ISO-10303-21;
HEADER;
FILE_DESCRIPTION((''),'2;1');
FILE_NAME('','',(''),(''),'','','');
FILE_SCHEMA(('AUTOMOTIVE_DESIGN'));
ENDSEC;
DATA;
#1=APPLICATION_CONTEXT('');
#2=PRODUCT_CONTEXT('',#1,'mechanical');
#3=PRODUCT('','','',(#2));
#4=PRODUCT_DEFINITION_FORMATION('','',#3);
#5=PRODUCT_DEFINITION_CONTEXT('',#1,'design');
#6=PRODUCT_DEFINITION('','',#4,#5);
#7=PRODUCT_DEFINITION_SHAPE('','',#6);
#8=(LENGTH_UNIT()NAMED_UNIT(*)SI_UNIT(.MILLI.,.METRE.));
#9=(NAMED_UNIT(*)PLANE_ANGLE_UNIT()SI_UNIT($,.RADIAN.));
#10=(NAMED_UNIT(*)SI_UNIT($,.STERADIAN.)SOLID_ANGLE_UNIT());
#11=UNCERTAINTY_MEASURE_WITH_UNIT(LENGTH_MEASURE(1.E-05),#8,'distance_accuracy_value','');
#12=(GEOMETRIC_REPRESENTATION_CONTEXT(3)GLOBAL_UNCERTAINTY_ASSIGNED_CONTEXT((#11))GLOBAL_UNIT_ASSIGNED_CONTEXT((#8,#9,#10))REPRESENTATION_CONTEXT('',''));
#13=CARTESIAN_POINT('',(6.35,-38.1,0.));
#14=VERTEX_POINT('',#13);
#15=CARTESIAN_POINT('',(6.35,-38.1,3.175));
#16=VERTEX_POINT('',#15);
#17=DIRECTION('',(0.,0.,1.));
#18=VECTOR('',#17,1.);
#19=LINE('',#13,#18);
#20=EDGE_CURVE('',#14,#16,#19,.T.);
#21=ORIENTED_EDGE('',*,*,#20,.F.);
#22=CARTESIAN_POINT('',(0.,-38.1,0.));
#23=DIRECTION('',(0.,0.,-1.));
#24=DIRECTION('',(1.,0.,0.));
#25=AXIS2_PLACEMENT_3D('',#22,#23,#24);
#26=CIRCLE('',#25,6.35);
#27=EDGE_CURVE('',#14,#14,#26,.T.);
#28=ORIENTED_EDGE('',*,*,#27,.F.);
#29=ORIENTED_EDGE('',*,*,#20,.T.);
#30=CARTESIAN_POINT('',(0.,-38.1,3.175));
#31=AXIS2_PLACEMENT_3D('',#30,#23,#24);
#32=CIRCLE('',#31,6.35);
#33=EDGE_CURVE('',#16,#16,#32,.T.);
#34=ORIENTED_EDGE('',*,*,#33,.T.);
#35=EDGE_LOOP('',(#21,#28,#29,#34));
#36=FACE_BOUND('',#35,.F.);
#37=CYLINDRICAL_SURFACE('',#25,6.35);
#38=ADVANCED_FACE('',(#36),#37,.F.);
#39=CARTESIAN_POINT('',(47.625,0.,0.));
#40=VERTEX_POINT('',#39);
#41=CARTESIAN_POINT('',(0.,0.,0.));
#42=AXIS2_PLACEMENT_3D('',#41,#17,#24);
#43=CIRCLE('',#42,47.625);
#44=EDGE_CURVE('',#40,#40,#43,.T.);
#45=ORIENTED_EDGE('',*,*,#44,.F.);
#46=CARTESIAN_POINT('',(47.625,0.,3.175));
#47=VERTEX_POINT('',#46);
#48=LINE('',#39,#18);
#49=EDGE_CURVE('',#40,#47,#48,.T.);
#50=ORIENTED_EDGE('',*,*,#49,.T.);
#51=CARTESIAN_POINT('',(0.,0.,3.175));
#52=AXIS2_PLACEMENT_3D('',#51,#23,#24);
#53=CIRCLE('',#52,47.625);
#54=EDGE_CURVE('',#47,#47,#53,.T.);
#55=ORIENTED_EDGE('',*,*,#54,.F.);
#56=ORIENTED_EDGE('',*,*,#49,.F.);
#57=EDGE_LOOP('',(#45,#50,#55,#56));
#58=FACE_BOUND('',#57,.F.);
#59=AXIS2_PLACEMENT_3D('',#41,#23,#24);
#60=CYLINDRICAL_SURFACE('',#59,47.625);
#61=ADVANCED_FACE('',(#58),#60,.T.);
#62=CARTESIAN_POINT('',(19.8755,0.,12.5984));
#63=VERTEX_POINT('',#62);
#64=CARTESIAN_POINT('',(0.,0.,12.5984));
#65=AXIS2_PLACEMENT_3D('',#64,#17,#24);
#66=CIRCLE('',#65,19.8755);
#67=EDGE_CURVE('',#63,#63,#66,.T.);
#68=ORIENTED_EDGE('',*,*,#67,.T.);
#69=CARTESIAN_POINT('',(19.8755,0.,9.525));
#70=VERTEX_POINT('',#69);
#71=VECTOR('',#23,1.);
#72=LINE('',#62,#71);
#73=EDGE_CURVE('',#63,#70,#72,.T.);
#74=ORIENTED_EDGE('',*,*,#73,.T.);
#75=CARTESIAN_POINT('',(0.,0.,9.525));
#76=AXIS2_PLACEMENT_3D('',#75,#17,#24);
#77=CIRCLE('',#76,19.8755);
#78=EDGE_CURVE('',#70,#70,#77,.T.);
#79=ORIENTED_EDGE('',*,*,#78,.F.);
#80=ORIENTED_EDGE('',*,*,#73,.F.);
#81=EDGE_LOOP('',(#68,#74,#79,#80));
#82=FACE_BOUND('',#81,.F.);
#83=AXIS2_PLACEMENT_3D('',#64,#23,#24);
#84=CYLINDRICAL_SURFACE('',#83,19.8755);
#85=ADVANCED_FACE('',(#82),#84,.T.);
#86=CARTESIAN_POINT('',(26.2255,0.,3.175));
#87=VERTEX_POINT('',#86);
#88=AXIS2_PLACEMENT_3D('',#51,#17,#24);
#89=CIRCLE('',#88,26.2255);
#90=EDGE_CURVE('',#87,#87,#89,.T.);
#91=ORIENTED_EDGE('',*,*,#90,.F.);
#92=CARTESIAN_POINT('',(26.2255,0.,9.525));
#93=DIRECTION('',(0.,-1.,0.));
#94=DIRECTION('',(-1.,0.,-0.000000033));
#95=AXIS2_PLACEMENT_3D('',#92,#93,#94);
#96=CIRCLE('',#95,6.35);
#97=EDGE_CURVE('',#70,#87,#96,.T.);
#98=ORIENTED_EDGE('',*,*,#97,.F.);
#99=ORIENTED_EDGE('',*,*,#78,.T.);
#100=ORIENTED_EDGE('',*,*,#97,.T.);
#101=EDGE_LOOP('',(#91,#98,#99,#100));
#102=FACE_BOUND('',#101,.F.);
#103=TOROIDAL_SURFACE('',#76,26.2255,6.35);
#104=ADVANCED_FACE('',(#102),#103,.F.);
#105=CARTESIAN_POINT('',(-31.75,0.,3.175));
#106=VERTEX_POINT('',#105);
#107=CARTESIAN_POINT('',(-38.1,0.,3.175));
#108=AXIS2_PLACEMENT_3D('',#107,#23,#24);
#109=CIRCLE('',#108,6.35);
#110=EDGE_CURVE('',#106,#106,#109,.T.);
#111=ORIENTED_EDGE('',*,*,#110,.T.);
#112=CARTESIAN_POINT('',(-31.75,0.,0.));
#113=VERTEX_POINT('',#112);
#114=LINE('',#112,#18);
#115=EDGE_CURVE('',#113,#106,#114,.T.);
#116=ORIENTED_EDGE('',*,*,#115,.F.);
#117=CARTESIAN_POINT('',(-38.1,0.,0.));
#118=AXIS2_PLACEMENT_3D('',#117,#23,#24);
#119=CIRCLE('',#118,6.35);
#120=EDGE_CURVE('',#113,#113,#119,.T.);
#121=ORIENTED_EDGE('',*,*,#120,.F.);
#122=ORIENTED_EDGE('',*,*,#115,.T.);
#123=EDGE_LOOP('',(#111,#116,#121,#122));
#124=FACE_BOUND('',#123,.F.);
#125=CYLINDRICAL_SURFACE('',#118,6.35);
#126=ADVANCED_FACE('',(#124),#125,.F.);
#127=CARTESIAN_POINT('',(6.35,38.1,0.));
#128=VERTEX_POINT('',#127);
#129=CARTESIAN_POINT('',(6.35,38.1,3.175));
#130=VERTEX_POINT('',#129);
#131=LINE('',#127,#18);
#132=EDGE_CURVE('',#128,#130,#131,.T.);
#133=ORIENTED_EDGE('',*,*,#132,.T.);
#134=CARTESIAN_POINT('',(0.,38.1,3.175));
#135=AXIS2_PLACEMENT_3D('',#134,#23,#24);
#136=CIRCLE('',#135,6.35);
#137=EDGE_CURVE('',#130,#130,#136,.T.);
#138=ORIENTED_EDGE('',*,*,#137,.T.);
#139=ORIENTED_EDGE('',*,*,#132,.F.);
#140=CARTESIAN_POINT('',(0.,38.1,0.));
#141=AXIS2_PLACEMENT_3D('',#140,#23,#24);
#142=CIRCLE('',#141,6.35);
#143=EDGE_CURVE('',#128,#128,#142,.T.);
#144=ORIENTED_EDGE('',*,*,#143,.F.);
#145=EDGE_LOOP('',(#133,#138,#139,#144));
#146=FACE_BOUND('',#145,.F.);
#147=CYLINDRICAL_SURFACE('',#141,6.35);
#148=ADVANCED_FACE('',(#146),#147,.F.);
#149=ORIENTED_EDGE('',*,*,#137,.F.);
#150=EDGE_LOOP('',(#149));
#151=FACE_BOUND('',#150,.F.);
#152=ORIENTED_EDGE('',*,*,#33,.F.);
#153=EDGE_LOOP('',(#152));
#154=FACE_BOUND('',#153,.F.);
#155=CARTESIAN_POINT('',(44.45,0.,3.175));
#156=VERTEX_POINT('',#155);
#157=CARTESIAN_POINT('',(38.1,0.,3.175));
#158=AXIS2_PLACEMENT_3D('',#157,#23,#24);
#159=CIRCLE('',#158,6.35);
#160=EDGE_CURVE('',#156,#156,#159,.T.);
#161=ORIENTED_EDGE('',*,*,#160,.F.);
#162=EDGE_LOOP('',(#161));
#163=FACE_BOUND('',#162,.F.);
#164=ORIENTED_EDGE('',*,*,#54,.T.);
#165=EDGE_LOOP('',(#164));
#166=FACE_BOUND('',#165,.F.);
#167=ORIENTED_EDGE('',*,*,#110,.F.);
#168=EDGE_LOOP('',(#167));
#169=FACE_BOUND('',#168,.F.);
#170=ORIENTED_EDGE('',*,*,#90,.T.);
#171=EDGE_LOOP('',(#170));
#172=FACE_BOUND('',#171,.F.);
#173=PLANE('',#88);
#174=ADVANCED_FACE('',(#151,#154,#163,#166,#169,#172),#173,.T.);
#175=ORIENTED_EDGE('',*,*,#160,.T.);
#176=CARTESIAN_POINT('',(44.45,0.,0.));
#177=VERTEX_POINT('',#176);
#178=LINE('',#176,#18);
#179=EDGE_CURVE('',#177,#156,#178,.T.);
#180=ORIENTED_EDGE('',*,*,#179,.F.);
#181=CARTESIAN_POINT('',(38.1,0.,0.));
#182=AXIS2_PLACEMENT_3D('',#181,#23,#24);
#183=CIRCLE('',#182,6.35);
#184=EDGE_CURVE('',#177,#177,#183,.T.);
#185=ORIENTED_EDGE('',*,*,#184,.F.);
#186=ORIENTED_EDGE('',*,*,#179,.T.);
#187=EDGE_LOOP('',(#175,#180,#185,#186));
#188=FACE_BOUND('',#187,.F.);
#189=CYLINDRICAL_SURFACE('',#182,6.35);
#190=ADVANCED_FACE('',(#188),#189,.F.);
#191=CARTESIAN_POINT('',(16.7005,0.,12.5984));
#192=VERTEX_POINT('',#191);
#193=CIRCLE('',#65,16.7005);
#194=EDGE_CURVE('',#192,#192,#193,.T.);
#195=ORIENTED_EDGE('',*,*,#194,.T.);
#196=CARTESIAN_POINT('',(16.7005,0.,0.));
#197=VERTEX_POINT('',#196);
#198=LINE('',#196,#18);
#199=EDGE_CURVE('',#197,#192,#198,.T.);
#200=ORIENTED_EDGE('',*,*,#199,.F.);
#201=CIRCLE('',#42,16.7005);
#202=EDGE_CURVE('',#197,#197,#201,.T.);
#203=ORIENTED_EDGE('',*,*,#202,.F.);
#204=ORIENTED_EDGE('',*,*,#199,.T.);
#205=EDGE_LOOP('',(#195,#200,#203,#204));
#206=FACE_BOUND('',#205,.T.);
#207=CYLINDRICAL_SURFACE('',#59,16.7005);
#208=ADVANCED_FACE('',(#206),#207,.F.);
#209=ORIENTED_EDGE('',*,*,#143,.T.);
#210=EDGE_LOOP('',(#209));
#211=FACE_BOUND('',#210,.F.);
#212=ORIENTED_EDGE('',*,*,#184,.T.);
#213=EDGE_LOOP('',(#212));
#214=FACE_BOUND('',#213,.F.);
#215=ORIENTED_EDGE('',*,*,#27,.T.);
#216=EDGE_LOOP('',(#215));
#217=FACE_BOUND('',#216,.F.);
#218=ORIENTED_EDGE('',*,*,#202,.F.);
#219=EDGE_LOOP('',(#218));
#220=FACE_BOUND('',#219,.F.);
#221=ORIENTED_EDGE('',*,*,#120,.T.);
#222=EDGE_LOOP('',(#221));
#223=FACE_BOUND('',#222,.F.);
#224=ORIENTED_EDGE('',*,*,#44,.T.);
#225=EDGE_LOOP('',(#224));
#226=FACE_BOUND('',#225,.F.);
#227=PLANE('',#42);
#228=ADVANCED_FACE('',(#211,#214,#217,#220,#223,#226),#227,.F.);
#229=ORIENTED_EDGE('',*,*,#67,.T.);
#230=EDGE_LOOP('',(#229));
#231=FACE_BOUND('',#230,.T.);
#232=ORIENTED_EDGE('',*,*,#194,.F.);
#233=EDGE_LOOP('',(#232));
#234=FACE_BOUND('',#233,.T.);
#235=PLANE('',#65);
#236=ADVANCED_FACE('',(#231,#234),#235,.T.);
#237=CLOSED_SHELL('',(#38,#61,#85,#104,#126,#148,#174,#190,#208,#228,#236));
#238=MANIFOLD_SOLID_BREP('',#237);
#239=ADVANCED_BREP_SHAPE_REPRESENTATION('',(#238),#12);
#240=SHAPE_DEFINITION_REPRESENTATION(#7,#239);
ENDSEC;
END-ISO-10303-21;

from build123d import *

# Parameters (mm, degrees)
F0_R     = 47.625
F0_R_2   = 16.7005
F1_DEPTH = 12.5984
F4_R     = 6.35
F5_DEPTH = 12.5994


with BuildPart() as f1:
    # F0 (on Top) → F1 (new body)
    with BuildSketch(Plane.XY):
        Circle(F0_R)
        Circle(F0_R_2, mode=Mode.SUBTRACT)
    extrude(amount=F1_DEPTH)

    # F2 (on Front) → F3 (revolve, cut)
    with BuildSketch(Plane.XZ):
        with BuildLine():
            Line((50.8, 3.175), (50.8, 12.5984))
            Line((50.8, 12.5984), (19.8755, 12.5984))
            Line((19.8755, 12.5984), (19.8755, 9.525))
            ThreePointArc((19.8755, 9.525), (21.735372, 5.034872), (26.2255, 3.175))
            Line((26.2255, 3.175), (50.8, 3.175))
        make_face()
    revolve(axis=Axis((0, 0, 6.2992), (0, 0, 1)), mode=Mode.SUBTRACT)

    # F4 (on face) → F5 (cut, through all)
    with BuildSketch(Plane(origin=(0, 0, 0), x_dir=(1, 0, 0), z_dir=(0, 0, -1))):
        with Locations((0, 38.1)):
            Circle(F4_R)
        with Locations((0, -38.1)):
            Circle(F4_R)
        with Locations((-38.1, 0)):
            Circle(F4_R)
        with Locations((38.1, 0)):
            Circle(F4_R)
    extrude(amount=-F5_DEPTH, mode=Mode.SUBTRACT)


solid = f1.part
